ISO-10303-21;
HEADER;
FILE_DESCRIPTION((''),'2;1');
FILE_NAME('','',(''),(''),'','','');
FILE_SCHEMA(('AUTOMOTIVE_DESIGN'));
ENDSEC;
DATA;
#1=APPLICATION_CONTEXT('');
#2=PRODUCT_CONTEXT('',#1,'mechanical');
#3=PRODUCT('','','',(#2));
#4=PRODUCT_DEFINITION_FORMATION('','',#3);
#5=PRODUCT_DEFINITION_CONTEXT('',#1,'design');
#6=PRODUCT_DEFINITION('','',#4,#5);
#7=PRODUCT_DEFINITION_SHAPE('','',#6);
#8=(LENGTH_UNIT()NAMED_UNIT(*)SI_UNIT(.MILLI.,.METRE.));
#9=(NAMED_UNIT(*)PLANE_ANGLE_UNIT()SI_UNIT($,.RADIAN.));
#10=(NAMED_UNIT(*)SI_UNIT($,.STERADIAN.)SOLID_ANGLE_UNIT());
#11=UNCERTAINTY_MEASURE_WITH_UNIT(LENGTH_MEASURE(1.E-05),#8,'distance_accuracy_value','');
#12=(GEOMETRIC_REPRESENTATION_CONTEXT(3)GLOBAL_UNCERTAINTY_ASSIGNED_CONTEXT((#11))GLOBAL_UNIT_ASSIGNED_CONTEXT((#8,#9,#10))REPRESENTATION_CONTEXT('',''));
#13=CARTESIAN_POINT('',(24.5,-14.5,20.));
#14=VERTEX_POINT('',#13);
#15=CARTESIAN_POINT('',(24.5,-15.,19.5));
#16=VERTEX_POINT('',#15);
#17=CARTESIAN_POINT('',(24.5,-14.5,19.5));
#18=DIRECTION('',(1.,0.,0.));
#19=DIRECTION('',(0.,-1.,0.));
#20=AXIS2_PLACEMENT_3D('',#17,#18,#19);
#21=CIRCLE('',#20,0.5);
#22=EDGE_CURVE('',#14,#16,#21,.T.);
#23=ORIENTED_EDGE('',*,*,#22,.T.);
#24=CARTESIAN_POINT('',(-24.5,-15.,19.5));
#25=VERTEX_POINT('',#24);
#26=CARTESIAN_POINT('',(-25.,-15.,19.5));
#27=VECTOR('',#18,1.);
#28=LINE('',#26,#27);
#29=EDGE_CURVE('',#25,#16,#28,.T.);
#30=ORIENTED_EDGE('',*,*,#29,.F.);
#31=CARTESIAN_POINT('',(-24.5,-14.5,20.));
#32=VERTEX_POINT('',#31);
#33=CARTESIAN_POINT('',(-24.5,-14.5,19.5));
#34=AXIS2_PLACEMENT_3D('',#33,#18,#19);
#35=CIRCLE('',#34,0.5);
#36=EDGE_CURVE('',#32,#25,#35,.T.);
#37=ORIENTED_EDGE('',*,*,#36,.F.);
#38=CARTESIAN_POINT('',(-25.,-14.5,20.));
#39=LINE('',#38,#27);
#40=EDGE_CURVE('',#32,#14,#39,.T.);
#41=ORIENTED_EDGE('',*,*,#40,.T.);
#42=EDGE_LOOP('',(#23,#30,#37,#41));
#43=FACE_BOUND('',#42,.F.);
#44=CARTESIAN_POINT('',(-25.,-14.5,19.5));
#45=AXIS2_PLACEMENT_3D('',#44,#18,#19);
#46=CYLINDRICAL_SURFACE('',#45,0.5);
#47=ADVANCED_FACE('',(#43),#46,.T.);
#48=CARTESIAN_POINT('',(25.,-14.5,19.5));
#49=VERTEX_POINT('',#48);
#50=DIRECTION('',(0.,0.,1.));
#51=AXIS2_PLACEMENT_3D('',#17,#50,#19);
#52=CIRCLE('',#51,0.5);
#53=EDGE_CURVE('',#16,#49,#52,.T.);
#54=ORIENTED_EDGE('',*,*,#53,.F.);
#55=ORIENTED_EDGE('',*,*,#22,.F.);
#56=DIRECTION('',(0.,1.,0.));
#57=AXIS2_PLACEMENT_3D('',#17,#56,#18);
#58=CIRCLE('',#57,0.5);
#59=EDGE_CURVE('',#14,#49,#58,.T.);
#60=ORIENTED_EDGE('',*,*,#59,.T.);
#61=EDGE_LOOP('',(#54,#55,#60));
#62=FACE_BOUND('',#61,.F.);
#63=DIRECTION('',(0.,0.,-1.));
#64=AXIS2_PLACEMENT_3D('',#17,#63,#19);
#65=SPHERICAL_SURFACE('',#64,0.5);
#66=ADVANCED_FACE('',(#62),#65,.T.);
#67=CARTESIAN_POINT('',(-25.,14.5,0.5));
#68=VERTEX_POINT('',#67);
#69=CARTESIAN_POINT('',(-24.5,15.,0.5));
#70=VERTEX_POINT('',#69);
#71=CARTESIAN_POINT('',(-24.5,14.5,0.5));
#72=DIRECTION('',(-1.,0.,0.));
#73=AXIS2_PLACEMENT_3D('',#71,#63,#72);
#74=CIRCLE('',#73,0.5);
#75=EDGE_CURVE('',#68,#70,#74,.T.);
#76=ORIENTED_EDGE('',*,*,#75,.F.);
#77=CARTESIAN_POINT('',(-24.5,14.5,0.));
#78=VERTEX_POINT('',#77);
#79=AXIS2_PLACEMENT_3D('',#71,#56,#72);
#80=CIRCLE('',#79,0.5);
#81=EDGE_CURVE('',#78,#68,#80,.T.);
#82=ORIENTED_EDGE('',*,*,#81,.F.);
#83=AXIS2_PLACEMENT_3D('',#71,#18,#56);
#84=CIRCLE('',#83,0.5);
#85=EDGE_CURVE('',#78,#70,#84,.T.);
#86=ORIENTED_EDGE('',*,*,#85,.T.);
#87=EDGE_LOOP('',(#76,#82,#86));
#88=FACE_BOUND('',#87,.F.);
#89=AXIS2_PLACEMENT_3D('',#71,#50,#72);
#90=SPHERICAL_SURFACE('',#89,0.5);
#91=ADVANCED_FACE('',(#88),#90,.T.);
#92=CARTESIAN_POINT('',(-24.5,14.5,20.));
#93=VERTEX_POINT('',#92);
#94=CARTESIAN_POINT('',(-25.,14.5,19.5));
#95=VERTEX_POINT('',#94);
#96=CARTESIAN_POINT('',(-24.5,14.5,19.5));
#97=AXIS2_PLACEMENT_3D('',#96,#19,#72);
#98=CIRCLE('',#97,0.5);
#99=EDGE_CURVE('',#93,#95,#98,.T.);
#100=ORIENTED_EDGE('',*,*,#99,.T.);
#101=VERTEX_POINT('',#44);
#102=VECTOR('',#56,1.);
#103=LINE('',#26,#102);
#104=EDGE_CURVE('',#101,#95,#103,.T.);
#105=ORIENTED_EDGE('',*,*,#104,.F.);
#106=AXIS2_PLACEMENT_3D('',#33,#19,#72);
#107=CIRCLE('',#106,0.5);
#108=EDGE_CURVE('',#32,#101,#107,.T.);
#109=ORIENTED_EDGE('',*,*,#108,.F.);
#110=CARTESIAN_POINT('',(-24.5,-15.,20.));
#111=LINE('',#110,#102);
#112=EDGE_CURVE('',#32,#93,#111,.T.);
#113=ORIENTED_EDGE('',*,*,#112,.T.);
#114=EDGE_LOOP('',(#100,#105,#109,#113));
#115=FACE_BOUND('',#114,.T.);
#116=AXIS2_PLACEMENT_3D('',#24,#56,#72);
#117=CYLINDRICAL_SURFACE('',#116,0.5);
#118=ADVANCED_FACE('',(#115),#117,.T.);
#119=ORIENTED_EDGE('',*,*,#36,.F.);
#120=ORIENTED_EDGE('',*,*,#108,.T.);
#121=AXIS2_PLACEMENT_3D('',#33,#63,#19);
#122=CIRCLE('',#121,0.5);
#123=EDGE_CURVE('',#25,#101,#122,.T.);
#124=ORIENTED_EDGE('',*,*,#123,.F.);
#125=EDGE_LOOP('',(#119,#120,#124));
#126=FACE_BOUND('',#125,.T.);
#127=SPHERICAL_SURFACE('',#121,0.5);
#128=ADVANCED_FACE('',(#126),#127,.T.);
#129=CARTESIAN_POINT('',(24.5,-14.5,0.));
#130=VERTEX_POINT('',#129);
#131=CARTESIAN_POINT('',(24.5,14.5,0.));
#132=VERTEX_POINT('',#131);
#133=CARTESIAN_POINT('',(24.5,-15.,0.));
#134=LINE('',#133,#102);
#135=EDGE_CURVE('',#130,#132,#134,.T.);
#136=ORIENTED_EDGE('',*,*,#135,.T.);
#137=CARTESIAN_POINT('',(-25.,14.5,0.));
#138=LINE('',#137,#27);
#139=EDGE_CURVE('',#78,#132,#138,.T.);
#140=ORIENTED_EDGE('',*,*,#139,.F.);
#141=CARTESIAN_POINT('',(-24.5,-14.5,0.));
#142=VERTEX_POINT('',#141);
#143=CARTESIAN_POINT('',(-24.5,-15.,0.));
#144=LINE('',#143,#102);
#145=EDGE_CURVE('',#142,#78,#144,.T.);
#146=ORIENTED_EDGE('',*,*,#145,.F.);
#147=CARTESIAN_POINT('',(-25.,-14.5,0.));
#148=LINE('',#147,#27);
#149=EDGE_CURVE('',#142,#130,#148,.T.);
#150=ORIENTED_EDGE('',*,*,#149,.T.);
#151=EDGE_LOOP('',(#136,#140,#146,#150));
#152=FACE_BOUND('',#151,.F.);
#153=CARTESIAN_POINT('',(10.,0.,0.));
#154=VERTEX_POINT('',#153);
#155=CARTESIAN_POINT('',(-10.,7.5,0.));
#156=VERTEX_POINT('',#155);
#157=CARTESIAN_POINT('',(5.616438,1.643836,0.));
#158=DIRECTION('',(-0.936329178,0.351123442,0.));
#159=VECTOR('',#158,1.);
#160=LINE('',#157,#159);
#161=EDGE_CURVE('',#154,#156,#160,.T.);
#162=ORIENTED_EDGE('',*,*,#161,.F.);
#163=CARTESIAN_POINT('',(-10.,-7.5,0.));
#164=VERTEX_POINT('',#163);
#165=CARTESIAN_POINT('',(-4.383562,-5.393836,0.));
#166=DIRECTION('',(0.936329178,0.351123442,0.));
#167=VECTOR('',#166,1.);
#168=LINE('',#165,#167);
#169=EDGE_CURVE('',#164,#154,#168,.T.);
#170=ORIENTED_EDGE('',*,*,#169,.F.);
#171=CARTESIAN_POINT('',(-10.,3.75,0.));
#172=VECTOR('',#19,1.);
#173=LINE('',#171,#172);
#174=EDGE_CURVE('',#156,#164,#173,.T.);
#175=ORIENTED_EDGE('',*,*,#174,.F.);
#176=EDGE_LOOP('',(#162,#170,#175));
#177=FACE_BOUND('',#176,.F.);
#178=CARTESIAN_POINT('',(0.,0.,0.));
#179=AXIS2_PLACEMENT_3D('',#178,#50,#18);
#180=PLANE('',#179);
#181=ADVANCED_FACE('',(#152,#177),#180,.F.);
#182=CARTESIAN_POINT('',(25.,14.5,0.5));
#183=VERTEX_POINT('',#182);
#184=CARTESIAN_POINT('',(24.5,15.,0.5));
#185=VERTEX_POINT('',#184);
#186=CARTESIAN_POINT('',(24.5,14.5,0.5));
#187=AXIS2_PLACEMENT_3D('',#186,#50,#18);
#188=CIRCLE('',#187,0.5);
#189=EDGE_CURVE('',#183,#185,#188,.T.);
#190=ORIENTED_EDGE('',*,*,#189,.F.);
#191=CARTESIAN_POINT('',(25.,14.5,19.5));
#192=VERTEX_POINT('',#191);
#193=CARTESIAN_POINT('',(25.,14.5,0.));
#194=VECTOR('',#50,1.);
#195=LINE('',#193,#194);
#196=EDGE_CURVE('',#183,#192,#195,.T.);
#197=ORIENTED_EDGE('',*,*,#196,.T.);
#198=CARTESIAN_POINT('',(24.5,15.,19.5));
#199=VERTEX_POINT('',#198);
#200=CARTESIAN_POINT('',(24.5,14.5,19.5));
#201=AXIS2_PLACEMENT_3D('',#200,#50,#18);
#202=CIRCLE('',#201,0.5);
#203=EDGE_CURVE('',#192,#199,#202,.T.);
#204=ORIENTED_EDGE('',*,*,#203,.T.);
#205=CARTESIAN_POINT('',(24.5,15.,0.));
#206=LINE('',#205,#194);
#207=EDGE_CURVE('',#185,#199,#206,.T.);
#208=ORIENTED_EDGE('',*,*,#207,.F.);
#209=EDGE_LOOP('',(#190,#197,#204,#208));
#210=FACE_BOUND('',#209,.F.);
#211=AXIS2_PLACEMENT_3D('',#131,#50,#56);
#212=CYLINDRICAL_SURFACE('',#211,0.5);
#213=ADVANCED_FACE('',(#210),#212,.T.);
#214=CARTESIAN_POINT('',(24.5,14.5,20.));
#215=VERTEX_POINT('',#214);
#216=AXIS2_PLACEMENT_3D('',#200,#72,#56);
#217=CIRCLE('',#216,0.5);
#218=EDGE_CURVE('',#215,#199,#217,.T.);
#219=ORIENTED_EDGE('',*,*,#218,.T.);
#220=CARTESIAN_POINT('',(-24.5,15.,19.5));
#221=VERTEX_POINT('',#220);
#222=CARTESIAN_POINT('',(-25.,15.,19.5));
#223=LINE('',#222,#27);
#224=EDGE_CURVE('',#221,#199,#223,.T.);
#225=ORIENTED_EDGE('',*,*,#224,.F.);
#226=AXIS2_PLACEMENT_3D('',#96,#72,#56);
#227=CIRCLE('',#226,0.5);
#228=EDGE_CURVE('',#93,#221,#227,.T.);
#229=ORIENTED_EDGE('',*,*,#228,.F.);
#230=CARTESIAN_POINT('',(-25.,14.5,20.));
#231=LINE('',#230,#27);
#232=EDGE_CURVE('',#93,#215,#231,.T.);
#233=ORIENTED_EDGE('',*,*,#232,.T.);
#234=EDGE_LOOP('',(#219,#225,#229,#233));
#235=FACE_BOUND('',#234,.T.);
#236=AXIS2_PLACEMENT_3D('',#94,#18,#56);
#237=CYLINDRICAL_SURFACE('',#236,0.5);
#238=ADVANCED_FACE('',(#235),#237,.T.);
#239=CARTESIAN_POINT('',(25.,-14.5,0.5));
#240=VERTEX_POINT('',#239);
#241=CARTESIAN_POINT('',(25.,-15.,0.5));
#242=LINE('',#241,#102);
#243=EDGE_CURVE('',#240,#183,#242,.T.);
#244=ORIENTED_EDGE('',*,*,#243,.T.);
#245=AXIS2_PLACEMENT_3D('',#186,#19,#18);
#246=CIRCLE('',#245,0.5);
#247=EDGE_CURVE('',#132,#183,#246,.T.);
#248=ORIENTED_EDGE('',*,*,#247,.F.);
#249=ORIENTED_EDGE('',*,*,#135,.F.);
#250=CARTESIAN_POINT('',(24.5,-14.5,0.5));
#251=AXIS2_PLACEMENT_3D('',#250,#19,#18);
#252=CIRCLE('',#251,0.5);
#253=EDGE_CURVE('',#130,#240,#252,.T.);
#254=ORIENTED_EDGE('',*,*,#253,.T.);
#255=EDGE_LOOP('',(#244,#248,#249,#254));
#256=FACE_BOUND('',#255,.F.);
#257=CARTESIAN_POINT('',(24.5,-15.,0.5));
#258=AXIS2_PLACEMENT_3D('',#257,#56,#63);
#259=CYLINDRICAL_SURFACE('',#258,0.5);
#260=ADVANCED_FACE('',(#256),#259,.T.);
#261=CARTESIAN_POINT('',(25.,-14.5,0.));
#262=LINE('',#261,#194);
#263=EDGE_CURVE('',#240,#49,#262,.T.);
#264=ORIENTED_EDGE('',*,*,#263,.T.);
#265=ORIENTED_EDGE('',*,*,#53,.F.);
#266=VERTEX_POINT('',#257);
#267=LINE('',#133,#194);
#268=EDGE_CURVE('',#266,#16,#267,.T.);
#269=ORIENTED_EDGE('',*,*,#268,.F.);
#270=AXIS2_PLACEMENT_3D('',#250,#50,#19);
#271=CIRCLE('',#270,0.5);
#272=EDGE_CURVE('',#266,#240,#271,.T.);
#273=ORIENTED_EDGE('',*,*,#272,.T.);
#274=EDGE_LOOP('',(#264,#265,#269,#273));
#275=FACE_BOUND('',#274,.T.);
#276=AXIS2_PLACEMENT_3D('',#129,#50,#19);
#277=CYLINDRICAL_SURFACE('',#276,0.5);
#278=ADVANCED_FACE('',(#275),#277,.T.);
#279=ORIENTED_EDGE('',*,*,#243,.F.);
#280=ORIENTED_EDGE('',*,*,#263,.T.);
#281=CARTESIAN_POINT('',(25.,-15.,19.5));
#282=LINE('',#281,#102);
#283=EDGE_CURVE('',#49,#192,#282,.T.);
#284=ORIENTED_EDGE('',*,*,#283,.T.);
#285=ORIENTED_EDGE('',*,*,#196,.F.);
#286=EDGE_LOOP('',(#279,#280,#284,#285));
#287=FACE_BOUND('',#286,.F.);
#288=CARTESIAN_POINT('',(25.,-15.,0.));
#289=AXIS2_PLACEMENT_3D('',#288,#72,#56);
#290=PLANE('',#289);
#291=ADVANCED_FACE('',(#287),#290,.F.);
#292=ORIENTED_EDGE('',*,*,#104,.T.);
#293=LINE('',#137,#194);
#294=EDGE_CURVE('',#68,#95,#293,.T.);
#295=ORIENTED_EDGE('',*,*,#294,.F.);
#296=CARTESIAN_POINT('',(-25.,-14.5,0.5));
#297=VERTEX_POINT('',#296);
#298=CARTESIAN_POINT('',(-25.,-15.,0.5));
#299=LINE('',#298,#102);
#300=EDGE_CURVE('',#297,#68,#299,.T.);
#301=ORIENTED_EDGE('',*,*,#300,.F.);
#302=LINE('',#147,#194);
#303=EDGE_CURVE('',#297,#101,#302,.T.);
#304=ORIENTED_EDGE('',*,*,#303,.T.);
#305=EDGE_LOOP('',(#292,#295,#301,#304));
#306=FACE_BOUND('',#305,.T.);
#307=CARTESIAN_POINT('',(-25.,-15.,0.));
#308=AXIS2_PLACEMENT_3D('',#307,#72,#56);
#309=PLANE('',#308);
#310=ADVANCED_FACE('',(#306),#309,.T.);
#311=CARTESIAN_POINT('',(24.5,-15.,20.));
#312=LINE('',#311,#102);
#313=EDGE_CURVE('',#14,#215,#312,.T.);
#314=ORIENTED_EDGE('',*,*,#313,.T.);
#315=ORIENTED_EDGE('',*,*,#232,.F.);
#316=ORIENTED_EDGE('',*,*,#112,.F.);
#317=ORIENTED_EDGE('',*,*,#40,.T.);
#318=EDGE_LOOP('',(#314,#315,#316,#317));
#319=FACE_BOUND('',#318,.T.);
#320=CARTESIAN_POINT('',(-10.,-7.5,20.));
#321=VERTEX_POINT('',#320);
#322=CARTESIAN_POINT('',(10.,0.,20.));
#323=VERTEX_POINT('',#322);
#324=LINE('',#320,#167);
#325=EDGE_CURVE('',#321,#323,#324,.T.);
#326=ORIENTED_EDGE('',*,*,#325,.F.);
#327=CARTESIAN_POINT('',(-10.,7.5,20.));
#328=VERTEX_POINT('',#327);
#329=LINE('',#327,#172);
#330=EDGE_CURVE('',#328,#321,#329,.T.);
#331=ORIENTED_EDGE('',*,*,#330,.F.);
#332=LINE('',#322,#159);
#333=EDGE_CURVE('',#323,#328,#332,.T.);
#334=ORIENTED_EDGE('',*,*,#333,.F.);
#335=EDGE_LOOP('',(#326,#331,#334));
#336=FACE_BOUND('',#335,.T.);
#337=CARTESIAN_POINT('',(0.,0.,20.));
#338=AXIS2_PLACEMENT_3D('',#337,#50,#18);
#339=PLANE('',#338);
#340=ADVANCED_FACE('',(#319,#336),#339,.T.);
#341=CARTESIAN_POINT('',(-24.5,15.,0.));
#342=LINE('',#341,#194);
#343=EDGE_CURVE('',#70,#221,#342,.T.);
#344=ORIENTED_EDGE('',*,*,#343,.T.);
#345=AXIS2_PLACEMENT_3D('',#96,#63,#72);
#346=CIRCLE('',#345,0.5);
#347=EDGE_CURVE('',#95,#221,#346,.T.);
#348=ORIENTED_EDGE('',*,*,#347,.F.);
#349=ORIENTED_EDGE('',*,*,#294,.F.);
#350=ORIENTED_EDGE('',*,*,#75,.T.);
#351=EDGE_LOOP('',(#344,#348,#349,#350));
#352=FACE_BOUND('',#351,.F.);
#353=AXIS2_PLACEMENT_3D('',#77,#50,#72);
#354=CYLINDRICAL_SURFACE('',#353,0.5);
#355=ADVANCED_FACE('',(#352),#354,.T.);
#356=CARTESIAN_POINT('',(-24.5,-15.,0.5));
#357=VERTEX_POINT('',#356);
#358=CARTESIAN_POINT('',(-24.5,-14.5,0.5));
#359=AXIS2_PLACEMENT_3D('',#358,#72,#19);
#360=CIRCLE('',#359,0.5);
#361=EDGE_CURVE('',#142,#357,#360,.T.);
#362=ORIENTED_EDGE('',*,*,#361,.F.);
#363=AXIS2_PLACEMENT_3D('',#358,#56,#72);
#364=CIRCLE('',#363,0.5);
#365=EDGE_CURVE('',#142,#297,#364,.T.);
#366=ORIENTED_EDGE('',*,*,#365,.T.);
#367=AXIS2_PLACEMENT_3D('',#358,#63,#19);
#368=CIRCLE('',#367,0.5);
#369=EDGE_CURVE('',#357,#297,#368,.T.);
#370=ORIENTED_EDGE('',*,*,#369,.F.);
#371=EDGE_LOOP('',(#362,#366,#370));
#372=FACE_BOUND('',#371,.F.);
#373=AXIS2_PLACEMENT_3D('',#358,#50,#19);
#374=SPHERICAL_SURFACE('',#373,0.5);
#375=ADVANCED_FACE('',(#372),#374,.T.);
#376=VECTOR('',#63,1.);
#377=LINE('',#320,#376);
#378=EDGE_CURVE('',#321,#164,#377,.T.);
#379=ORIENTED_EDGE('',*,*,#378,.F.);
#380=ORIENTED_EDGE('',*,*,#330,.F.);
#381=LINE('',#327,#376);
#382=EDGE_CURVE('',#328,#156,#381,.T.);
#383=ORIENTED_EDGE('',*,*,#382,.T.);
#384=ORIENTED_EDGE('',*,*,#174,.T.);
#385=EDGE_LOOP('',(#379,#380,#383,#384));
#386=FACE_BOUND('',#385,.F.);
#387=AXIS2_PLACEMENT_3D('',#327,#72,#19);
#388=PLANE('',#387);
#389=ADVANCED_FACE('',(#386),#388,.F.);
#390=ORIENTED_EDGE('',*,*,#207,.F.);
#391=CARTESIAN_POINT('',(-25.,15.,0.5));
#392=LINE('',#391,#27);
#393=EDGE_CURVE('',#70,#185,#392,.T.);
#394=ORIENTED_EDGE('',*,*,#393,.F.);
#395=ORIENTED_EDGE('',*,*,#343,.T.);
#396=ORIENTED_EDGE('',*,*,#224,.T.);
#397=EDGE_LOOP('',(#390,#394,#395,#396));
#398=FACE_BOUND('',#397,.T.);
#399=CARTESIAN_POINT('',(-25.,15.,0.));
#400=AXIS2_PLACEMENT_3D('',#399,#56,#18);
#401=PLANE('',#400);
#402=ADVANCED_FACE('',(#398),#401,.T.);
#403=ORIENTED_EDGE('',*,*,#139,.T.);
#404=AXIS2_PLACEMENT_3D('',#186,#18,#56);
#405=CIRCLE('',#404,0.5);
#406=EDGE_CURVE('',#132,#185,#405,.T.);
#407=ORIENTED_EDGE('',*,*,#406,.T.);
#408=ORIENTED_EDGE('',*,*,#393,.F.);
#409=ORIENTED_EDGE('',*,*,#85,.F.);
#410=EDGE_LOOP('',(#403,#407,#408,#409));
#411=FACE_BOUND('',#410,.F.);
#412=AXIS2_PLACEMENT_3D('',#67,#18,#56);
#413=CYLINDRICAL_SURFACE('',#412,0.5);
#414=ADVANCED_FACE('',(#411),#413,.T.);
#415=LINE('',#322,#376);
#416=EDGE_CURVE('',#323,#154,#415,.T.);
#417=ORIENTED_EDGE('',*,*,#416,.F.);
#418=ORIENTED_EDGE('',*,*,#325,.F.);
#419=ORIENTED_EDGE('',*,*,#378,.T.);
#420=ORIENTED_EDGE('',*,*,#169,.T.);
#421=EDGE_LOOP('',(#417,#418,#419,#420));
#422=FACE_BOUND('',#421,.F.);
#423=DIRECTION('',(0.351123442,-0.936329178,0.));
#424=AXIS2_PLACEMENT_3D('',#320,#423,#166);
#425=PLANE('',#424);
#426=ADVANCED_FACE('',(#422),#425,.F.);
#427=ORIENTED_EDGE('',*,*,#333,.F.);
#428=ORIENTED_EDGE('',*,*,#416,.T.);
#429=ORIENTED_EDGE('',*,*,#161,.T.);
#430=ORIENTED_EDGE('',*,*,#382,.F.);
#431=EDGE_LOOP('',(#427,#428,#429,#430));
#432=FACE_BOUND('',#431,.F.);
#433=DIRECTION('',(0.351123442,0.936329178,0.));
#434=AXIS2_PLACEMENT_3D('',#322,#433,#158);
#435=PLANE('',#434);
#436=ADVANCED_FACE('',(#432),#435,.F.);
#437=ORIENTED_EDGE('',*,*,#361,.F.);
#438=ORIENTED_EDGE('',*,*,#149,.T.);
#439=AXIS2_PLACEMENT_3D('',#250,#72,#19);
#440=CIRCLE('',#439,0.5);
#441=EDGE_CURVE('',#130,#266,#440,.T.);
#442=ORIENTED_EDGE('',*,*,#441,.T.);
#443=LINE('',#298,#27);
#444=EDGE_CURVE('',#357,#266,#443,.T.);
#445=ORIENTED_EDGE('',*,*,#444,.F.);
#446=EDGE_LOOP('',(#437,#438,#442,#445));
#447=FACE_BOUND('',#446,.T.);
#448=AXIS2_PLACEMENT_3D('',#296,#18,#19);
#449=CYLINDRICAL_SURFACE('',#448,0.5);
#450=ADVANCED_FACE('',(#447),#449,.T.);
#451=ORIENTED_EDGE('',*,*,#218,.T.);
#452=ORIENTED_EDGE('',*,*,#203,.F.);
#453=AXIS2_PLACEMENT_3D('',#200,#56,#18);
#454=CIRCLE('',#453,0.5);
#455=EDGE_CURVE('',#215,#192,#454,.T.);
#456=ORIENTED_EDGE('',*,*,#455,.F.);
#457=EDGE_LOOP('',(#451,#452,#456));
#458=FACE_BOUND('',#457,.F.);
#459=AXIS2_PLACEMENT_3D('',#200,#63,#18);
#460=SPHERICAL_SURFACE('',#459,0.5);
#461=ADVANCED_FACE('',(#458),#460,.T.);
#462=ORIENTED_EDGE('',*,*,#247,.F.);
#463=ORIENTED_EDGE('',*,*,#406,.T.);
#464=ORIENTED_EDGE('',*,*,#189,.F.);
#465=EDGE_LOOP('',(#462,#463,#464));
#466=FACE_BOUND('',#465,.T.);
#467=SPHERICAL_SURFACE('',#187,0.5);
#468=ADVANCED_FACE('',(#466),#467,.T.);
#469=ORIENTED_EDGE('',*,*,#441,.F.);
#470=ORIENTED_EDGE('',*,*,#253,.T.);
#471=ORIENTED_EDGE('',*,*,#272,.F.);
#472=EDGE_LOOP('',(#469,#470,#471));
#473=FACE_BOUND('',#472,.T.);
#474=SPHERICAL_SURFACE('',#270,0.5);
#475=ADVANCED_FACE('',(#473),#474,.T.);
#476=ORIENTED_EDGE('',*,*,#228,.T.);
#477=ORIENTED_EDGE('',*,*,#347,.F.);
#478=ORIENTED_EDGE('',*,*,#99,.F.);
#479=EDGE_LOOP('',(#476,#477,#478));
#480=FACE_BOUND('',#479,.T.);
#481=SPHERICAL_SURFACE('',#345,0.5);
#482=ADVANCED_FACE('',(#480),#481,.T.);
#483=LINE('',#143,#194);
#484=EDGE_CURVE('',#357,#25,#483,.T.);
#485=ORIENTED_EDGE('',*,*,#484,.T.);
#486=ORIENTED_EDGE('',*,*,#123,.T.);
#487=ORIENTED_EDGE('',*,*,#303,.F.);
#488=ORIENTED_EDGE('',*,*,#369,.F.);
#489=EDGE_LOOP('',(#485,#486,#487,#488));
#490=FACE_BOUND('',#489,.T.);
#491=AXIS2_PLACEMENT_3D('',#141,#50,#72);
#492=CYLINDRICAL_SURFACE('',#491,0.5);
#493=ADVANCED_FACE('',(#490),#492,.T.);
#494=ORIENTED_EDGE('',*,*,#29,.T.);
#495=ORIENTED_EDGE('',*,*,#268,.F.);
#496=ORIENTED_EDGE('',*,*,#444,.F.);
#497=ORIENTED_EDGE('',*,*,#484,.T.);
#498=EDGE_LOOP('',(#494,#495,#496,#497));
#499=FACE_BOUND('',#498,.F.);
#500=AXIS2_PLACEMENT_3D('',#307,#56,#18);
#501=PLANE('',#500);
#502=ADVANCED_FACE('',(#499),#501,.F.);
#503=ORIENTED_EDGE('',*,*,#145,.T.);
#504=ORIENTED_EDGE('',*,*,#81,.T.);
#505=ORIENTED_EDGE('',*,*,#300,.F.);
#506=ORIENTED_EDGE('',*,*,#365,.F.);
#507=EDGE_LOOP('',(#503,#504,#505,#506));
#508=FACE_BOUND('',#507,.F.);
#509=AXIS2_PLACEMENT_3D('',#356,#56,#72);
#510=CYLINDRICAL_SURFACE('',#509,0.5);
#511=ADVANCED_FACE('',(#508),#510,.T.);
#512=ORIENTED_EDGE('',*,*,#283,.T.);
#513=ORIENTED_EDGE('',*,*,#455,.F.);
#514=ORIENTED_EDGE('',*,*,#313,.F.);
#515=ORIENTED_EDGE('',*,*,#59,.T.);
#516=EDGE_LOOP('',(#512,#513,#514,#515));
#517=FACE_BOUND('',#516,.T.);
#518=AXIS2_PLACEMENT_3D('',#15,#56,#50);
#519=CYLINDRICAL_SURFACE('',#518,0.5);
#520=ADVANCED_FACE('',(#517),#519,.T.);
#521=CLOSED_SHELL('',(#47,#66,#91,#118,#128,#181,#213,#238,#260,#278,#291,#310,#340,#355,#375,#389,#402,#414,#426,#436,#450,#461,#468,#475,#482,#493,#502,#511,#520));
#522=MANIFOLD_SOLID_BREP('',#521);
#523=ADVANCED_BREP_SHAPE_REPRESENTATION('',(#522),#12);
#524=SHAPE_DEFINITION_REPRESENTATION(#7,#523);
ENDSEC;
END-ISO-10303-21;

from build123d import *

# Parameters (mm, degrees)
F0_W     = 50
F0_H     = 30
F1_DEPTH = 20
F3_DEPTH = 20.001
F4_R     = 0.5


with BuildPart() as f1:
    # F0 (on Top) → F1 (new body)
    with BuildSketch(Plane.XY):
        Rectangle(F0_W, F0_H)
    extrude(amount=F1_DEPTH)

    # F2 (on face) → F3 (cut, through all)
    with BuildSketch(Plane.XY.offset(20)):
        Polygon((10, 0), (-10, 7.5), (-10, -7.5), align=None)
    extrude(amount=-F3_DEPTH, mode=Mode.SUBTRACT)

    # F4
    f4_edges = [f1.edges().sort_by_distance(p)[0] for p in [
        (-25, -15, 10),
        (25, -15, 10),
        (0, -15, 0),
        (0, -15, 20),
        (-25, 15, 10),
        (-25, 0, 0),
        (-25, 0, 20),
        (25, 15, 10),
        (25, 0, 0),
        (25, 0, 20),
        (0, 15, 0),
        (0, 15, 20),
    ]]
    fillet(f4_edges, radius=F4_R)


solid = f1.part
